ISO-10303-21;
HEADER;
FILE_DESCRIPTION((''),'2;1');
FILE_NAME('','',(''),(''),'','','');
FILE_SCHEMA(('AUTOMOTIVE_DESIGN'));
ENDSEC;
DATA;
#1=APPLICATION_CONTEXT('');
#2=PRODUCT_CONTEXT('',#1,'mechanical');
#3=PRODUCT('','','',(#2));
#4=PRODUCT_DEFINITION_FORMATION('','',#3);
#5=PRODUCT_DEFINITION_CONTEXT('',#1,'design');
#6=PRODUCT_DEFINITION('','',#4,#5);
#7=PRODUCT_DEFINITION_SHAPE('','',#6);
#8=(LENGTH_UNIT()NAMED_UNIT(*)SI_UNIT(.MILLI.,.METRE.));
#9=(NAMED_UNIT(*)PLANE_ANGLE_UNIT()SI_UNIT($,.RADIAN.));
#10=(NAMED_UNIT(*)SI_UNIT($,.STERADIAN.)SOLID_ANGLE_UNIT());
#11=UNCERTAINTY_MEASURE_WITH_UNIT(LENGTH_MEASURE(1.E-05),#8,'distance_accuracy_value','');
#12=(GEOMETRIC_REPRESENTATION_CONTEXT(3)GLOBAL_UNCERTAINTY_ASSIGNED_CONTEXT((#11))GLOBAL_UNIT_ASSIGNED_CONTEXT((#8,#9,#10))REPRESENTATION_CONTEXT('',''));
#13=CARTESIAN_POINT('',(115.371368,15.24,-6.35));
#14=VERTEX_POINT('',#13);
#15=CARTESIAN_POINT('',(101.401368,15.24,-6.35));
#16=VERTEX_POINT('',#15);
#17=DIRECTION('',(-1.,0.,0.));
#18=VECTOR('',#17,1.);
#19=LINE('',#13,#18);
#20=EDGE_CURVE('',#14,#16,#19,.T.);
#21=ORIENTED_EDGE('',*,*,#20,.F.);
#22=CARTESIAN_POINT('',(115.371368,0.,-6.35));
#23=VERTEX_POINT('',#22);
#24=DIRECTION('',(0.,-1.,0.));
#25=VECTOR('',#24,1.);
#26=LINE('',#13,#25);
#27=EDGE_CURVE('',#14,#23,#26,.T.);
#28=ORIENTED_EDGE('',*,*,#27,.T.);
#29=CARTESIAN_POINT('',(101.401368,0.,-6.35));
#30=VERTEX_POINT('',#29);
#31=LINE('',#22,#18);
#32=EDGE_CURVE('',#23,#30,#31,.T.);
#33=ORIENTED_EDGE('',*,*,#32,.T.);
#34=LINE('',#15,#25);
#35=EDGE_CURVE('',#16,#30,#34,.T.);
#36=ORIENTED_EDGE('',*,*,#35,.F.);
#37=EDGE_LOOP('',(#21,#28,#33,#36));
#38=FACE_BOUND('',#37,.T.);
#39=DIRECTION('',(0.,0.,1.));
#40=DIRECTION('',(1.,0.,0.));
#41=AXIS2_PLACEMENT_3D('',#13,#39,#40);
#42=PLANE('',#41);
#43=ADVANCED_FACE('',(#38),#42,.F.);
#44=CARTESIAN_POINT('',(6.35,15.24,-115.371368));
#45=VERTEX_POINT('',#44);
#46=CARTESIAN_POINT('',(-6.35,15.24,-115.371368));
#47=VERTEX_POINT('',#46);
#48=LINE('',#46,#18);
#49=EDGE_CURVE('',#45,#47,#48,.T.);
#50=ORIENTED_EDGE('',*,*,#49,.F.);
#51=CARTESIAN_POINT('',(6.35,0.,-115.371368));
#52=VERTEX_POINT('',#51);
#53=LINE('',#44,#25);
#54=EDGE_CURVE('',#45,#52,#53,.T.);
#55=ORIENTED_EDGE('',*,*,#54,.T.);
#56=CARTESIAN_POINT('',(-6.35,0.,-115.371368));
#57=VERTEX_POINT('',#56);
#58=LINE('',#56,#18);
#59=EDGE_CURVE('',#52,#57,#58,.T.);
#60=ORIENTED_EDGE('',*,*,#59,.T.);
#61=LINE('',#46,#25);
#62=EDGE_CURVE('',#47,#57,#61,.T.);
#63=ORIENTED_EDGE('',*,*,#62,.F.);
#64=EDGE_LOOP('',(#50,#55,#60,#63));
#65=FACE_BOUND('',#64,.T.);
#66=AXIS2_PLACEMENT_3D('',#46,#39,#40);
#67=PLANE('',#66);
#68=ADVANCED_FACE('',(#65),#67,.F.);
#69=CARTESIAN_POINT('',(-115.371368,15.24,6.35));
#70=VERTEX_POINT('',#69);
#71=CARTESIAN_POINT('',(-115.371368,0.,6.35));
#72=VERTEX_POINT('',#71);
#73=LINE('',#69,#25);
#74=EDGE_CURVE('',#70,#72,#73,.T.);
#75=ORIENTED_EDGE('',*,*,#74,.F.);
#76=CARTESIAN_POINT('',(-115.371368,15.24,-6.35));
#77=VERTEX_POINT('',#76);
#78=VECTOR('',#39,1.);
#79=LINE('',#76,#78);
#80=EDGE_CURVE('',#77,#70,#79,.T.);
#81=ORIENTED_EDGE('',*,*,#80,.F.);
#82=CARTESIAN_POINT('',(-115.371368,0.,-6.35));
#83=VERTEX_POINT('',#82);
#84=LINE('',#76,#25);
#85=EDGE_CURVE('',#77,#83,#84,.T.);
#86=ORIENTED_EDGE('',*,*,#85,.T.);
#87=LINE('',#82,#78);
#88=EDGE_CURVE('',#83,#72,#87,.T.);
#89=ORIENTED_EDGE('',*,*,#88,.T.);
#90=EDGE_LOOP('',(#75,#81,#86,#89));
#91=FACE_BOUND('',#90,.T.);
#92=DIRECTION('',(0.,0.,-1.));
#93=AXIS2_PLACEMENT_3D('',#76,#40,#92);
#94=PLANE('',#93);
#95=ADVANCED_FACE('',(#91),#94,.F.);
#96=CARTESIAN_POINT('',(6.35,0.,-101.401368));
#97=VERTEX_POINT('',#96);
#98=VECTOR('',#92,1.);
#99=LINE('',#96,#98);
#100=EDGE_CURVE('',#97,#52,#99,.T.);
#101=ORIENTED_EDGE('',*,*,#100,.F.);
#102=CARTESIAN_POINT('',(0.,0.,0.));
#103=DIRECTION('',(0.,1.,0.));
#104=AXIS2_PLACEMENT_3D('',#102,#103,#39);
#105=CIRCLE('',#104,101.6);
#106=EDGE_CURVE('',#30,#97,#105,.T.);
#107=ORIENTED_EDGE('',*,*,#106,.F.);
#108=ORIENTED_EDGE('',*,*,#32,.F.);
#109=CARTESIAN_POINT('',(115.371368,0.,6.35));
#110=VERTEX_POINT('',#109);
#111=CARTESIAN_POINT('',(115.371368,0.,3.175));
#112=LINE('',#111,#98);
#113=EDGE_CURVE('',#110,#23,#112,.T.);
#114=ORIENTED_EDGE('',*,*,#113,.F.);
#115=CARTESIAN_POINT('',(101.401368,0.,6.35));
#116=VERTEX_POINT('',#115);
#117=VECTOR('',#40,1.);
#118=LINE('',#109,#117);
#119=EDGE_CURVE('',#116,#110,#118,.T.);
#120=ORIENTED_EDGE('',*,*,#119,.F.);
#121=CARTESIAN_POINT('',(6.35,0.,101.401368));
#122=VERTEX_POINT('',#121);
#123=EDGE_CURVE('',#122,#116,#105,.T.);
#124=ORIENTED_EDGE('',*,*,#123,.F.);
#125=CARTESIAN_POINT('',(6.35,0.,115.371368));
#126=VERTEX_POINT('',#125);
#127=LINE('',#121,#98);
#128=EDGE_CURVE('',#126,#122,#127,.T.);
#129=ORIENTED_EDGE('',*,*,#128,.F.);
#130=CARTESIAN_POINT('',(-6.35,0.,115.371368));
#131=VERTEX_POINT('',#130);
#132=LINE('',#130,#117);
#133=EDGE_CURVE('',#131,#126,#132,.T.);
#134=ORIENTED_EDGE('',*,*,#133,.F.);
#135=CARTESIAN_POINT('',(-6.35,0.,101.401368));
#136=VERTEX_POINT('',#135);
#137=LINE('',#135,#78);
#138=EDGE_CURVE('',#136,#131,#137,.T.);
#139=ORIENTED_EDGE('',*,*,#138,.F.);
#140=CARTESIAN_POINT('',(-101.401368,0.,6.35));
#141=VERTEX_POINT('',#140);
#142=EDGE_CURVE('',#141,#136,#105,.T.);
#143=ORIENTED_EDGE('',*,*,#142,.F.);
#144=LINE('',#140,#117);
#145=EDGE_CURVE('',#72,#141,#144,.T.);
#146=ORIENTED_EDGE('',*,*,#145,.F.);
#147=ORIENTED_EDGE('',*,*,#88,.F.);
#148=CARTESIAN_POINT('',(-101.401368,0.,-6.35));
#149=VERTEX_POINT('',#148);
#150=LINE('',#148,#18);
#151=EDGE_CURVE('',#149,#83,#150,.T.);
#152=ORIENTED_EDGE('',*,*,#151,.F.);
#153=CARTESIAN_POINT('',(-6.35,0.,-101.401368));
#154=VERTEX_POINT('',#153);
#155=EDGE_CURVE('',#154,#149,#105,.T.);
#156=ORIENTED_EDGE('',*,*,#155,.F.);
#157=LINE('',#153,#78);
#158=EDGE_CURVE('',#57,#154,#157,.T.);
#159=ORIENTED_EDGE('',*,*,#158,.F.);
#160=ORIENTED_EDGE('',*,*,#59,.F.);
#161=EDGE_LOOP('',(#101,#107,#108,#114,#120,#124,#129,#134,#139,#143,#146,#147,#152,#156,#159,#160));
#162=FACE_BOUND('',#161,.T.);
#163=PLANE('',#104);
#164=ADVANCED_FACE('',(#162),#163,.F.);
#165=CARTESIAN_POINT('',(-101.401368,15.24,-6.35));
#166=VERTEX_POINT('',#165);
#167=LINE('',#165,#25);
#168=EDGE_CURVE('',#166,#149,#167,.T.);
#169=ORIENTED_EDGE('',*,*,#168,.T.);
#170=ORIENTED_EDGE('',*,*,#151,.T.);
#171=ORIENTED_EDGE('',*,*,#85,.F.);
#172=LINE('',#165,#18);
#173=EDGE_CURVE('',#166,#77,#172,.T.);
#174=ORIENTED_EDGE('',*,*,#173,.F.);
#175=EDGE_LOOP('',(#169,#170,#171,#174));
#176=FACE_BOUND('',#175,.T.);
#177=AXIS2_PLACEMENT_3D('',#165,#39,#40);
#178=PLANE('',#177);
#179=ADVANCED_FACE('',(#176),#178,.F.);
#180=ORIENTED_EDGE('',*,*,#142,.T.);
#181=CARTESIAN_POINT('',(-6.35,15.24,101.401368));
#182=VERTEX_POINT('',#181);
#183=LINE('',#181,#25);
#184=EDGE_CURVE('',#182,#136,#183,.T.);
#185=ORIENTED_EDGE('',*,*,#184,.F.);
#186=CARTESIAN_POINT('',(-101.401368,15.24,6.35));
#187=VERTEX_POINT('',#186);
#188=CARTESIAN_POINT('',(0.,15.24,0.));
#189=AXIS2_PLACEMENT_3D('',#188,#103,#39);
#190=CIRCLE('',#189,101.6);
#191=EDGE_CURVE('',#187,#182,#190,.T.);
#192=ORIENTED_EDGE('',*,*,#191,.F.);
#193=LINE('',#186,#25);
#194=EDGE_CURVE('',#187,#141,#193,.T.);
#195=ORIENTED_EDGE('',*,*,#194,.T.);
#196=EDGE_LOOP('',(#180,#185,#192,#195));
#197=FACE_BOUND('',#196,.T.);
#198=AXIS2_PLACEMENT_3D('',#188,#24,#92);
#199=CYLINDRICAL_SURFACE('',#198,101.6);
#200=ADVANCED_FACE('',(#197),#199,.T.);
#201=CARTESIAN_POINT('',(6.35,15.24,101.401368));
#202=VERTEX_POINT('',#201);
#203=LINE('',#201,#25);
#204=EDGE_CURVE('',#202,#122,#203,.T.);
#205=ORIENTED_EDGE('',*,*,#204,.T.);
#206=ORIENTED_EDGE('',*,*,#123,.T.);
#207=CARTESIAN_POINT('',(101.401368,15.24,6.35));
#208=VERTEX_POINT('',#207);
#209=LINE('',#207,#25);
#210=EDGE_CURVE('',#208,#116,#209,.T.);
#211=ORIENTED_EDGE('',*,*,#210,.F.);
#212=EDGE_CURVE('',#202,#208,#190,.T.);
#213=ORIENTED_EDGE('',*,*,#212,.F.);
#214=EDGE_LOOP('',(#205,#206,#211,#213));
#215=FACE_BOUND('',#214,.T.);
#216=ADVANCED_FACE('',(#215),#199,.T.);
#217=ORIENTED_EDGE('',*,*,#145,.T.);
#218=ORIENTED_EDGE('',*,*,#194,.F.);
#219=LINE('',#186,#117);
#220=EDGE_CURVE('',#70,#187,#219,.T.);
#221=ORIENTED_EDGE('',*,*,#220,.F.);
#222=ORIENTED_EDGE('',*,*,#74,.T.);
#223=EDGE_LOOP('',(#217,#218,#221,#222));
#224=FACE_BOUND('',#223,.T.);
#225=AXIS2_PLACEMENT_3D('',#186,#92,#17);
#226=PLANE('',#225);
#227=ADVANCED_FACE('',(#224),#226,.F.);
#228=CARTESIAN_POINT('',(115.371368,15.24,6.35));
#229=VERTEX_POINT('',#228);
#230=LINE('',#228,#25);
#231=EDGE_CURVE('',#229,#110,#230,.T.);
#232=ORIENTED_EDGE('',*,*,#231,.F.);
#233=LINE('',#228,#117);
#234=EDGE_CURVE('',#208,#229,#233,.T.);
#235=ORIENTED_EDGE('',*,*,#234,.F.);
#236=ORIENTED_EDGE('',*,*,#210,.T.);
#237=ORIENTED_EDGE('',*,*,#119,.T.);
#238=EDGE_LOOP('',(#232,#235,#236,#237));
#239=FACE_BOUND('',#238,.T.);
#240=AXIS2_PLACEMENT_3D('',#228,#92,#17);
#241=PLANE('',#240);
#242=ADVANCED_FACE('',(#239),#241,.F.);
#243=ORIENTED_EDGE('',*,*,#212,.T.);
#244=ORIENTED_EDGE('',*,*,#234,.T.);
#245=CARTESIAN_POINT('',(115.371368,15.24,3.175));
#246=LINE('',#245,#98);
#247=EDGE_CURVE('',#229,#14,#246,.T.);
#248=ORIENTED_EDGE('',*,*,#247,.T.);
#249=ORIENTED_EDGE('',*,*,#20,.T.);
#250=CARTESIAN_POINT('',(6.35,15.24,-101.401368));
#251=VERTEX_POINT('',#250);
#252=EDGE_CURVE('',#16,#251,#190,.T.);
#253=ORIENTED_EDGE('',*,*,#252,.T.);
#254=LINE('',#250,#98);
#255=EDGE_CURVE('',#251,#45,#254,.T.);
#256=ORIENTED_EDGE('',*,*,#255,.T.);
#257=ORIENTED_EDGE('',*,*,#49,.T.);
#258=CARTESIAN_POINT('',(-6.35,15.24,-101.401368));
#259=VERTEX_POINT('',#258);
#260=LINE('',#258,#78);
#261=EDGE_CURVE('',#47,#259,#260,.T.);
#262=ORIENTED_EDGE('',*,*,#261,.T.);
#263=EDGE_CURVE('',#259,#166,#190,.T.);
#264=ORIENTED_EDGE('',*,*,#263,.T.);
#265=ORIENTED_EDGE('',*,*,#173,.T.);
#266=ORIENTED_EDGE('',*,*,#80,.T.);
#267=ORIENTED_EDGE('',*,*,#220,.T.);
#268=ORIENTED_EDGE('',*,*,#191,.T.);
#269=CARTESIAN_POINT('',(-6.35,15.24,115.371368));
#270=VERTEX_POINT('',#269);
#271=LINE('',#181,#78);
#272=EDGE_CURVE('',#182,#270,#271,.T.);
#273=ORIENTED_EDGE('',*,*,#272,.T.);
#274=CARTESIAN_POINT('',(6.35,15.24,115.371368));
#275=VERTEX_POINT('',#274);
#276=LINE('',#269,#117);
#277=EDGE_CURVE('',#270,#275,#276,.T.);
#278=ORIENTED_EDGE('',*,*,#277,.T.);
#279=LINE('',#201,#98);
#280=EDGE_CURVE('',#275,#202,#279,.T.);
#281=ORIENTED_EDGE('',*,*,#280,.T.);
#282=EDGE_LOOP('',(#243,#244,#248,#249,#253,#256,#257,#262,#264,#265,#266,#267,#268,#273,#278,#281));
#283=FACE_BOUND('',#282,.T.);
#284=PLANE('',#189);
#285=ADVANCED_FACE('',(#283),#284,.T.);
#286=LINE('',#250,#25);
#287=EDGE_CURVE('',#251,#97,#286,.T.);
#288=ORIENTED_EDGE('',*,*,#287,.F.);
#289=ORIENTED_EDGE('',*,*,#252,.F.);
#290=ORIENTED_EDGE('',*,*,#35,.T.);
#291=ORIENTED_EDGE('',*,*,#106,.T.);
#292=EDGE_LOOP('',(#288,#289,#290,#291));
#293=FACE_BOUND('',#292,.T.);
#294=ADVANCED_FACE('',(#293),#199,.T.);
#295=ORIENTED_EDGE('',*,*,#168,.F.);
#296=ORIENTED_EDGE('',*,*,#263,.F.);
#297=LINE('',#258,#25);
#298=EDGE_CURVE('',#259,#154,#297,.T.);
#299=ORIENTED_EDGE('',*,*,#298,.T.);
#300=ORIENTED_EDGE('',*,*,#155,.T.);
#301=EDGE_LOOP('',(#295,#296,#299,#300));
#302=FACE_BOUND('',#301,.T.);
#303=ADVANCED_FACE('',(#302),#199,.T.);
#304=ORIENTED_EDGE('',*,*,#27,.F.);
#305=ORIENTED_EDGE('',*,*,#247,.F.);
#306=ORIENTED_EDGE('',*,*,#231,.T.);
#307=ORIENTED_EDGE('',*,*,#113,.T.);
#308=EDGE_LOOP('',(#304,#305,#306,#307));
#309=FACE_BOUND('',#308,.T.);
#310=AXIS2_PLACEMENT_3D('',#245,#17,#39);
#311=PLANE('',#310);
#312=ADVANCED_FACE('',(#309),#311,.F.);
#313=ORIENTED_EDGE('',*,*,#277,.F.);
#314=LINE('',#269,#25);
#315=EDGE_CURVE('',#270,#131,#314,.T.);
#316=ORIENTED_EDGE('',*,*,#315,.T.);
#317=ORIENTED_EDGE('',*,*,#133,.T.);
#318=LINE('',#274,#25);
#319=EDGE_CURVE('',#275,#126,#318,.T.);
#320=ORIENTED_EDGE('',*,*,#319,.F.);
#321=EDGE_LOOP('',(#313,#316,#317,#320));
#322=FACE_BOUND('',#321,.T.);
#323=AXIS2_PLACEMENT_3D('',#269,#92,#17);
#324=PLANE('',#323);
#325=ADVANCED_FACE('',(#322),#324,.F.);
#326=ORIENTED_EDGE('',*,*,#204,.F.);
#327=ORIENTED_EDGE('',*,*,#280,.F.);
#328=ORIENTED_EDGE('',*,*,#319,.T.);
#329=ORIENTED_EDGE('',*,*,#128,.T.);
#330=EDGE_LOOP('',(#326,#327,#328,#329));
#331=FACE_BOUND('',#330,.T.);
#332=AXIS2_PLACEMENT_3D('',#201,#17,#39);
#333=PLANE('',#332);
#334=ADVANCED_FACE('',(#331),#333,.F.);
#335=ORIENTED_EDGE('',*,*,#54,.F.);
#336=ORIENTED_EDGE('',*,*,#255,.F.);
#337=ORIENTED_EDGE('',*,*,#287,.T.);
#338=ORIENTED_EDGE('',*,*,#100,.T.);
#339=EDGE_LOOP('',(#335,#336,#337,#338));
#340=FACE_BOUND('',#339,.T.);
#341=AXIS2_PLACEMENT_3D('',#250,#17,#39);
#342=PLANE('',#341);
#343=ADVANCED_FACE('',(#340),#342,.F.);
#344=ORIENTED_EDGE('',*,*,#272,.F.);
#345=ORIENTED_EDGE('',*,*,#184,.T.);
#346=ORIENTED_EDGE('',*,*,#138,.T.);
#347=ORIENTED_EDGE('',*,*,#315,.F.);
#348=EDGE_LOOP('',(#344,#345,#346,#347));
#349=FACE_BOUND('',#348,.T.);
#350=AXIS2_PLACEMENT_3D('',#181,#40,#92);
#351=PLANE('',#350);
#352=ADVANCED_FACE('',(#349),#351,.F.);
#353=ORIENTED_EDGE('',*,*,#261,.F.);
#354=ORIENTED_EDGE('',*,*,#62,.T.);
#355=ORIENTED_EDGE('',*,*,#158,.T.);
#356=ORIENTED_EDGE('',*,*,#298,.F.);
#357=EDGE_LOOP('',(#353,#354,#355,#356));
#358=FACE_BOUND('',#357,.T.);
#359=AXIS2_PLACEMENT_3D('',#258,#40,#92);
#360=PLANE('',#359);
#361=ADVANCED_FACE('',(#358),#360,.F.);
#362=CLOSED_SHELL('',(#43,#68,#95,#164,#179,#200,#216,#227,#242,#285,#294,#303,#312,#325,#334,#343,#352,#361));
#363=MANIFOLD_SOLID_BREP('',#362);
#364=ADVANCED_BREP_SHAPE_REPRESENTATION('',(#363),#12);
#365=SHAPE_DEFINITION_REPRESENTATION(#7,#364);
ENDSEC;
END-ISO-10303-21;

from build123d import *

# Parameters (mm, degrees)
BOSS_EXTRUDE2_DEPTH = 15.24


with BuildPart() as part:
    # Sketch1 → Boss-Extrude2 (new body)
    with BuildSketch(Plane(origin=(0, 0, 0), x_dir=(1, 0, 0), z_dir=(0, 1, 0))):
        with BuildLine():
            Line((-6.35, 115.371368334), (6.35, 115.371368334))
            Line((6.35, 115.371368334), (6.35, 101.401368334))
            ThreePointArc((6.35, 101.401368334), (71.842048969, 71.842048969), (101.401368334, 6.35))
            Line((101.401368334, 6.35), (115.371368334, 6.35))
            Line((115.371368334, 6.35), (115.371368334, -3.175))
            Line((115.371368334, -3.175), (115.371368334, -6.35))
            Line((115.371368334, -6.35), (101.401368334, -6.35))
            ThreePointArc((101.401368334, -6.35), (71.842048969, -71.842048969), (6.35, -101.401368334))
            Line((6.35, -101.401368334), (6.35, -115.371368334))
            Line((6.35, -115.371368334), (-6.35, -115.371368334))
            Line((-6.35, -115.371368334), (-6.35, -101.401368334))
            ThreePointArc((-6.35, -101.401368334), (-71.842048969, -71.842048969), (-101.401368334, -6.35))
            Line((-101.401368334, -6.35), (-115.371368334, -6.35))
            Line((-115.371368334, -6.35), (-115.371368334, 6.35))
            Line((-115.371368334, 6.35), (-101.401368334, 6.35))
            ThreePointArc((-101.401368334, 6.35), (-71.842048969, 71.842048969), (-6.35, 101.401368334))
            Line((-6.35, 101.401368334), (-6.35, 115.371368334))
        make_face()
    extrude(amount=BOSS_EXTRUDE2_DEPTH)


solid = part.part
